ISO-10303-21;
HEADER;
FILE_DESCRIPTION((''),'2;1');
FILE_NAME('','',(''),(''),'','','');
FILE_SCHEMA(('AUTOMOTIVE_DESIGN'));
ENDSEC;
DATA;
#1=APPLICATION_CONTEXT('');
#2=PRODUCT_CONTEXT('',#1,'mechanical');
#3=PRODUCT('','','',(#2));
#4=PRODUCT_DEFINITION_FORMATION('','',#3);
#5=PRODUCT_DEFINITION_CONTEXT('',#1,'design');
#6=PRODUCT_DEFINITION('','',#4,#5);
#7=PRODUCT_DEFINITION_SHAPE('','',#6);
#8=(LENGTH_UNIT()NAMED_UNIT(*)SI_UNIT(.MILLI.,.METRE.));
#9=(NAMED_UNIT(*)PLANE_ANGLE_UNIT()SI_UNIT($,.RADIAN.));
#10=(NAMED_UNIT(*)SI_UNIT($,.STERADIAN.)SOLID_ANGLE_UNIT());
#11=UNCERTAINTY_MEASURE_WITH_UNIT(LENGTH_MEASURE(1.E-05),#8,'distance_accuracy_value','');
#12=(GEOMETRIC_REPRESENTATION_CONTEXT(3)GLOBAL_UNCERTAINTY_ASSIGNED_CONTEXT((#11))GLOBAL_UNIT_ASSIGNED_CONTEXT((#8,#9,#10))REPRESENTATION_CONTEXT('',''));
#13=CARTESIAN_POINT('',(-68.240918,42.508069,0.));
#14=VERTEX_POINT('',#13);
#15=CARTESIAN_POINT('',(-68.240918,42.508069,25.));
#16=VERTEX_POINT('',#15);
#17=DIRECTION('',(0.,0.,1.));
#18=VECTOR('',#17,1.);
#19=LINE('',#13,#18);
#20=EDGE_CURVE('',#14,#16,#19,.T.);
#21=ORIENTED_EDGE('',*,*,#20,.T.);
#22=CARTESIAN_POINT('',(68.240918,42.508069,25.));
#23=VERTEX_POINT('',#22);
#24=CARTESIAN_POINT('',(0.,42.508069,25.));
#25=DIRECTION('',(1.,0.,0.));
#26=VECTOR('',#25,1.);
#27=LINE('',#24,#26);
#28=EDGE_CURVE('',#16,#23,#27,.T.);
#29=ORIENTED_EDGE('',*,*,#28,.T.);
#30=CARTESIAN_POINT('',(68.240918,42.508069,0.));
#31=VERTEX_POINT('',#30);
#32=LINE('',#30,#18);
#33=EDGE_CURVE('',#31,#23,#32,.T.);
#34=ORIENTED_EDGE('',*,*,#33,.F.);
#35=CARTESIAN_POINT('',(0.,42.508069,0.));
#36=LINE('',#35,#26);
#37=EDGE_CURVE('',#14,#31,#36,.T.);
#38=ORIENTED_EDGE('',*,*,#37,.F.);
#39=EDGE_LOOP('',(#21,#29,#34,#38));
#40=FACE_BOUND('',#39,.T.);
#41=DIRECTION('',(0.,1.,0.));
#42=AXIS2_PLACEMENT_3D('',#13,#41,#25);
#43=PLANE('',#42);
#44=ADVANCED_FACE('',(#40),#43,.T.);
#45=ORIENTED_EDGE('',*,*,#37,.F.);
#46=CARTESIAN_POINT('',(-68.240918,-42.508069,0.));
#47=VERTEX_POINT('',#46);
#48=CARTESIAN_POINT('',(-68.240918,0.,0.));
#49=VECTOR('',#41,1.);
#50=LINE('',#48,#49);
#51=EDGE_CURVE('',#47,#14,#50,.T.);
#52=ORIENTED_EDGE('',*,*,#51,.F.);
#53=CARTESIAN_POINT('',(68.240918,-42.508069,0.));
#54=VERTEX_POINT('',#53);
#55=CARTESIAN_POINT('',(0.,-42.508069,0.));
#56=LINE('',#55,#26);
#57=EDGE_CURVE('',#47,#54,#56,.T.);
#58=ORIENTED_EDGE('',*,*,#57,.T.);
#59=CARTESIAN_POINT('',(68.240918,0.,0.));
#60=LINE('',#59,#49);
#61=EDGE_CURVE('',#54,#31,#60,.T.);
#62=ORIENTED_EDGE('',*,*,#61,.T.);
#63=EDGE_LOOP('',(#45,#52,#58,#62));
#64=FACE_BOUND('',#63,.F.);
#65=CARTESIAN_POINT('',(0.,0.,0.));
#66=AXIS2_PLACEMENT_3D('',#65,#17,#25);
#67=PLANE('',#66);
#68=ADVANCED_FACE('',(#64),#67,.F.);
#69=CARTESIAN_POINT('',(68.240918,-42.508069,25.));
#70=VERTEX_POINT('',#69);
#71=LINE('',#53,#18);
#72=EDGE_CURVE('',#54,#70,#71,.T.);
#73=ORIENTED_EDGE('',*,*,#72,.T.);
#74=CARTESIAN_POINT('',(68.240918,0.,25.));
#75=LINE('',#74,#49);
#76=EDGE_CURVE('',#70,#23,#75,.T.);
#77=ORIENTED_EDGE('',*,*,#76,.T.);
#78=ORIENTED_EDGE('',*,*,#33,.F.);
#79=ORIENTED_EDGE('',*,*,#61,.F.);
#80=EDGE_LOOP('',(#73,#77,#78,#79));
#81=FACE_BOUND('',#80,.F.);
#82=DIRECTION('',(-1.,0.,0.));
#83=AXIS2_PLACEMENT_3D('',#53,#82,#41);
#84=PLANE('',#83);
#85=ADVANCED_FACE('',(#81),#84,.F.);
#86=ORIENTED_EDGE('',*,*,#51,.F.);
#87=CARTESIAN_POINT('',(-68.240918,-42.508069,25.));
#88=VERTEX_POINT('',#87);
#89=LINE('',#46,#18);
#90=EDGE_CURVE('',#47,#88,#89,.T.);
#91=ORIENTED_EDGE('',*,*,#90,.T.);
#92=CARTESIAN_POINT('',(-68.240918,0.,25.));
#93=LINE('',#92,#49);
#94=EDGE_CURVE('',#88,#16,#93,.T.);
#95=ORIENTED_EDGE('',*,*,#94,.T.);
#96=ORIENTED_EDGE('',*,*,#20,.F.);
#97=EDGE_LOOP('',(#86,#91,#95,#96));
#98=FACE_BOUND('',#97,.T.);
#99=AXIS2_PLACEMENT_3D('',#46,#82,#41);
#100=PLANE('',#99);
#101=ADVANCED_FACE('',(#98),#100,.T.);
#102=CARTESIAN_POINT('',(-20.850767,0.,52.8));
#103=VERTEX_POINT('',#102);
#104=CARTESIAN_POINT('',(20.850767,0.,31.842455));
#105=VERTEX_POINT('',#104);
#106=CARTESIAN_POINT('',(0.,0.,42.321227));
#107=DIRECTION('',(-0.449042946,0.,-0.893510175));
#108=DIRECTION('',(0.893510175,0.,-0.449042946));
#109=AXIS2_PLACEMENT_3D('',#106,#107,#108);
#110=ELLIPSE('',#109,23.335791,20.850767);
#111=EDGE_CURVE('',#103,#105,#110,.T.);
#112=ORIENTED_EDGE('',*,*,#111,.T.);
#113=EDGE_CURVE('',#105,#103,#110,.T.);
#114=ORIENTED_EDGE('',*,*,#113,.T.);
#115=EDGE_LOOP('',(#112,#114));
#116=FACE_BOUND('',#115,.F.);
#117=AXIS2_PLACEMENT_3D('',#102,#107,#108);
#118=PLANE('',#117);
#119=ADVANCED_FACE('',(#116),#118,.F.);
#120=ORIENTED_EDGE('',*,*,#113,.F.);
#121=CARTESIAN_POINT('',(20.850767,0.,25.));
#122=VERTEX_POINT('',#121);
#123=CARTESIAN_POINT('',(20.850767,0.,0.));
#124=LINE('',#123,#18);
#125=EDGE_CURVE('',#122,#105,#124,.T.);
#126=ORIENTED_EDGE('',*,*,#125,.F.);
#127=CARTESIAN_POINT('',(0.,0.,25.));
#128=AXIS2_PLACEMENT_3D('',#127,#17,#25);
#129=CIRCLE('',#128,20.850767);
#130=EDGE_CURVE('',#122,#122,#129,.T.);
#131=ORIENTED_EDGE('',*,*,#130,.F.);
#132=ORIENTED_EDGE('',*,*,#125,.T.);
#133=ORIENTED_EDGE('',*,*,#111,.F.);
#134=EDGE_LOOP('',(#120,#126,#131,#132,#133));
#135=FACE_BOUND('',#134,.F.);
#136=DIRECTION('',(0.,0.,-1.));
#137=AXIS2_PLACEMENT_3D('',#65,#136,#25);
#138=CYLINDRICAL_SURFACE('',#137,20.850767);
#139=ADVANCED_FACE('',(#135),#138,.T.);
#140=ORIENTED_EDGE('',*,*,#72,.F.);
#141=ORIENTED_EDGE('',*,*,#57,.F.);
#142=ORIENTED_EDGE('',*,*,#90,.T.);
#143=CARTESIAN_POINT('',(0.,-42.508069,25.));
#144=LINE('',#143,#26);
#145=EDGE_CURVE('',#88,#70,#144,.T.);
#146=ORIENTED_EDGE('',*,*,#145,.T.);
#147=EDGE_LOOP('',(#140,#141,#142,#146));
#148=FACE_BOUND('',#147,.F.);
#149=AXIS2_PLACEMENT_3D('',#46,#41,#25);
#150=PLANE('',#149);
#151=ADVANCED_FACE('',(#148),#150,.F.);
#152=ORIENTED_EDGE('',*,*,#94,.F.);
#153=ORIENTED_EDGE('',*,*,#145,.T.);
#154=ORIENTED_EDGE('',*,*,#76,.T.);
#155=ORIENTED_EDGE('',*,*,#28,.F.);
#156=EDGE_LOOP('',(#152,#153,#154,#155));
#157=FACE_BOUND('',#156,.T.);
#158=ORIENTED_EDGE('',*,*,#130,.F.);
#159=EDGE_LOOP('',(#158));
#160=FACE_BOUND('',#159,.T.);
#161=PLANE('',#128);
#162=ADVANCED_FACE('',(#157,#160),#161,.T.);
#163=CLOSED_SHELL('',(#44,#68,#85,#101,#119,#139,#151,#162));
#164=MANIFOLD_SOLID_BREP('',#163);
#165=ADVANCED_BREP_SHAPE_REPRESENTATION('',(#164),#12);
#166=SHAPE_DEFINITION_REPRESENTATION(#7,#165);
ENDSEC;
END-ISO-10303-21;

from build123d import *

# Parameters (mm, degrees)
F0_W     = 136.481836
F0_H     = 85.016138
F0_R     = 20.850767
F1_DEPTH = 25
F2_DEPTH = 52.8
F4_DEPTH = 47.6


with BuildPart() as f1:
    # F0 (on Top) → F1 (new body)
    with BuildSketch(Plane.XY):
        Rectangle(F0_W, F0_H)
        Circle(F0_R, mode=Mode.SUBTRACT)
    extrude(amount=F1_DEPTH)

    # F0 (on Top) → F2 (join)
    with BuildSketch(Plane.XY):
        Circle(F0_R)
    extrude(amount=F2_DEPTH)

    # F3 (on Front) → F4 (cut, symmetric)
    with BuildSketch(Plane.XZ):
        Polygon((20.850767, 52.8), (-20.850767, 52.8), (20.850767, 31.842455), align=None)
    extrude(amount=F4_DEPTH, both=True, mode=Mode.SUBTRACT)


solid = f1.part
